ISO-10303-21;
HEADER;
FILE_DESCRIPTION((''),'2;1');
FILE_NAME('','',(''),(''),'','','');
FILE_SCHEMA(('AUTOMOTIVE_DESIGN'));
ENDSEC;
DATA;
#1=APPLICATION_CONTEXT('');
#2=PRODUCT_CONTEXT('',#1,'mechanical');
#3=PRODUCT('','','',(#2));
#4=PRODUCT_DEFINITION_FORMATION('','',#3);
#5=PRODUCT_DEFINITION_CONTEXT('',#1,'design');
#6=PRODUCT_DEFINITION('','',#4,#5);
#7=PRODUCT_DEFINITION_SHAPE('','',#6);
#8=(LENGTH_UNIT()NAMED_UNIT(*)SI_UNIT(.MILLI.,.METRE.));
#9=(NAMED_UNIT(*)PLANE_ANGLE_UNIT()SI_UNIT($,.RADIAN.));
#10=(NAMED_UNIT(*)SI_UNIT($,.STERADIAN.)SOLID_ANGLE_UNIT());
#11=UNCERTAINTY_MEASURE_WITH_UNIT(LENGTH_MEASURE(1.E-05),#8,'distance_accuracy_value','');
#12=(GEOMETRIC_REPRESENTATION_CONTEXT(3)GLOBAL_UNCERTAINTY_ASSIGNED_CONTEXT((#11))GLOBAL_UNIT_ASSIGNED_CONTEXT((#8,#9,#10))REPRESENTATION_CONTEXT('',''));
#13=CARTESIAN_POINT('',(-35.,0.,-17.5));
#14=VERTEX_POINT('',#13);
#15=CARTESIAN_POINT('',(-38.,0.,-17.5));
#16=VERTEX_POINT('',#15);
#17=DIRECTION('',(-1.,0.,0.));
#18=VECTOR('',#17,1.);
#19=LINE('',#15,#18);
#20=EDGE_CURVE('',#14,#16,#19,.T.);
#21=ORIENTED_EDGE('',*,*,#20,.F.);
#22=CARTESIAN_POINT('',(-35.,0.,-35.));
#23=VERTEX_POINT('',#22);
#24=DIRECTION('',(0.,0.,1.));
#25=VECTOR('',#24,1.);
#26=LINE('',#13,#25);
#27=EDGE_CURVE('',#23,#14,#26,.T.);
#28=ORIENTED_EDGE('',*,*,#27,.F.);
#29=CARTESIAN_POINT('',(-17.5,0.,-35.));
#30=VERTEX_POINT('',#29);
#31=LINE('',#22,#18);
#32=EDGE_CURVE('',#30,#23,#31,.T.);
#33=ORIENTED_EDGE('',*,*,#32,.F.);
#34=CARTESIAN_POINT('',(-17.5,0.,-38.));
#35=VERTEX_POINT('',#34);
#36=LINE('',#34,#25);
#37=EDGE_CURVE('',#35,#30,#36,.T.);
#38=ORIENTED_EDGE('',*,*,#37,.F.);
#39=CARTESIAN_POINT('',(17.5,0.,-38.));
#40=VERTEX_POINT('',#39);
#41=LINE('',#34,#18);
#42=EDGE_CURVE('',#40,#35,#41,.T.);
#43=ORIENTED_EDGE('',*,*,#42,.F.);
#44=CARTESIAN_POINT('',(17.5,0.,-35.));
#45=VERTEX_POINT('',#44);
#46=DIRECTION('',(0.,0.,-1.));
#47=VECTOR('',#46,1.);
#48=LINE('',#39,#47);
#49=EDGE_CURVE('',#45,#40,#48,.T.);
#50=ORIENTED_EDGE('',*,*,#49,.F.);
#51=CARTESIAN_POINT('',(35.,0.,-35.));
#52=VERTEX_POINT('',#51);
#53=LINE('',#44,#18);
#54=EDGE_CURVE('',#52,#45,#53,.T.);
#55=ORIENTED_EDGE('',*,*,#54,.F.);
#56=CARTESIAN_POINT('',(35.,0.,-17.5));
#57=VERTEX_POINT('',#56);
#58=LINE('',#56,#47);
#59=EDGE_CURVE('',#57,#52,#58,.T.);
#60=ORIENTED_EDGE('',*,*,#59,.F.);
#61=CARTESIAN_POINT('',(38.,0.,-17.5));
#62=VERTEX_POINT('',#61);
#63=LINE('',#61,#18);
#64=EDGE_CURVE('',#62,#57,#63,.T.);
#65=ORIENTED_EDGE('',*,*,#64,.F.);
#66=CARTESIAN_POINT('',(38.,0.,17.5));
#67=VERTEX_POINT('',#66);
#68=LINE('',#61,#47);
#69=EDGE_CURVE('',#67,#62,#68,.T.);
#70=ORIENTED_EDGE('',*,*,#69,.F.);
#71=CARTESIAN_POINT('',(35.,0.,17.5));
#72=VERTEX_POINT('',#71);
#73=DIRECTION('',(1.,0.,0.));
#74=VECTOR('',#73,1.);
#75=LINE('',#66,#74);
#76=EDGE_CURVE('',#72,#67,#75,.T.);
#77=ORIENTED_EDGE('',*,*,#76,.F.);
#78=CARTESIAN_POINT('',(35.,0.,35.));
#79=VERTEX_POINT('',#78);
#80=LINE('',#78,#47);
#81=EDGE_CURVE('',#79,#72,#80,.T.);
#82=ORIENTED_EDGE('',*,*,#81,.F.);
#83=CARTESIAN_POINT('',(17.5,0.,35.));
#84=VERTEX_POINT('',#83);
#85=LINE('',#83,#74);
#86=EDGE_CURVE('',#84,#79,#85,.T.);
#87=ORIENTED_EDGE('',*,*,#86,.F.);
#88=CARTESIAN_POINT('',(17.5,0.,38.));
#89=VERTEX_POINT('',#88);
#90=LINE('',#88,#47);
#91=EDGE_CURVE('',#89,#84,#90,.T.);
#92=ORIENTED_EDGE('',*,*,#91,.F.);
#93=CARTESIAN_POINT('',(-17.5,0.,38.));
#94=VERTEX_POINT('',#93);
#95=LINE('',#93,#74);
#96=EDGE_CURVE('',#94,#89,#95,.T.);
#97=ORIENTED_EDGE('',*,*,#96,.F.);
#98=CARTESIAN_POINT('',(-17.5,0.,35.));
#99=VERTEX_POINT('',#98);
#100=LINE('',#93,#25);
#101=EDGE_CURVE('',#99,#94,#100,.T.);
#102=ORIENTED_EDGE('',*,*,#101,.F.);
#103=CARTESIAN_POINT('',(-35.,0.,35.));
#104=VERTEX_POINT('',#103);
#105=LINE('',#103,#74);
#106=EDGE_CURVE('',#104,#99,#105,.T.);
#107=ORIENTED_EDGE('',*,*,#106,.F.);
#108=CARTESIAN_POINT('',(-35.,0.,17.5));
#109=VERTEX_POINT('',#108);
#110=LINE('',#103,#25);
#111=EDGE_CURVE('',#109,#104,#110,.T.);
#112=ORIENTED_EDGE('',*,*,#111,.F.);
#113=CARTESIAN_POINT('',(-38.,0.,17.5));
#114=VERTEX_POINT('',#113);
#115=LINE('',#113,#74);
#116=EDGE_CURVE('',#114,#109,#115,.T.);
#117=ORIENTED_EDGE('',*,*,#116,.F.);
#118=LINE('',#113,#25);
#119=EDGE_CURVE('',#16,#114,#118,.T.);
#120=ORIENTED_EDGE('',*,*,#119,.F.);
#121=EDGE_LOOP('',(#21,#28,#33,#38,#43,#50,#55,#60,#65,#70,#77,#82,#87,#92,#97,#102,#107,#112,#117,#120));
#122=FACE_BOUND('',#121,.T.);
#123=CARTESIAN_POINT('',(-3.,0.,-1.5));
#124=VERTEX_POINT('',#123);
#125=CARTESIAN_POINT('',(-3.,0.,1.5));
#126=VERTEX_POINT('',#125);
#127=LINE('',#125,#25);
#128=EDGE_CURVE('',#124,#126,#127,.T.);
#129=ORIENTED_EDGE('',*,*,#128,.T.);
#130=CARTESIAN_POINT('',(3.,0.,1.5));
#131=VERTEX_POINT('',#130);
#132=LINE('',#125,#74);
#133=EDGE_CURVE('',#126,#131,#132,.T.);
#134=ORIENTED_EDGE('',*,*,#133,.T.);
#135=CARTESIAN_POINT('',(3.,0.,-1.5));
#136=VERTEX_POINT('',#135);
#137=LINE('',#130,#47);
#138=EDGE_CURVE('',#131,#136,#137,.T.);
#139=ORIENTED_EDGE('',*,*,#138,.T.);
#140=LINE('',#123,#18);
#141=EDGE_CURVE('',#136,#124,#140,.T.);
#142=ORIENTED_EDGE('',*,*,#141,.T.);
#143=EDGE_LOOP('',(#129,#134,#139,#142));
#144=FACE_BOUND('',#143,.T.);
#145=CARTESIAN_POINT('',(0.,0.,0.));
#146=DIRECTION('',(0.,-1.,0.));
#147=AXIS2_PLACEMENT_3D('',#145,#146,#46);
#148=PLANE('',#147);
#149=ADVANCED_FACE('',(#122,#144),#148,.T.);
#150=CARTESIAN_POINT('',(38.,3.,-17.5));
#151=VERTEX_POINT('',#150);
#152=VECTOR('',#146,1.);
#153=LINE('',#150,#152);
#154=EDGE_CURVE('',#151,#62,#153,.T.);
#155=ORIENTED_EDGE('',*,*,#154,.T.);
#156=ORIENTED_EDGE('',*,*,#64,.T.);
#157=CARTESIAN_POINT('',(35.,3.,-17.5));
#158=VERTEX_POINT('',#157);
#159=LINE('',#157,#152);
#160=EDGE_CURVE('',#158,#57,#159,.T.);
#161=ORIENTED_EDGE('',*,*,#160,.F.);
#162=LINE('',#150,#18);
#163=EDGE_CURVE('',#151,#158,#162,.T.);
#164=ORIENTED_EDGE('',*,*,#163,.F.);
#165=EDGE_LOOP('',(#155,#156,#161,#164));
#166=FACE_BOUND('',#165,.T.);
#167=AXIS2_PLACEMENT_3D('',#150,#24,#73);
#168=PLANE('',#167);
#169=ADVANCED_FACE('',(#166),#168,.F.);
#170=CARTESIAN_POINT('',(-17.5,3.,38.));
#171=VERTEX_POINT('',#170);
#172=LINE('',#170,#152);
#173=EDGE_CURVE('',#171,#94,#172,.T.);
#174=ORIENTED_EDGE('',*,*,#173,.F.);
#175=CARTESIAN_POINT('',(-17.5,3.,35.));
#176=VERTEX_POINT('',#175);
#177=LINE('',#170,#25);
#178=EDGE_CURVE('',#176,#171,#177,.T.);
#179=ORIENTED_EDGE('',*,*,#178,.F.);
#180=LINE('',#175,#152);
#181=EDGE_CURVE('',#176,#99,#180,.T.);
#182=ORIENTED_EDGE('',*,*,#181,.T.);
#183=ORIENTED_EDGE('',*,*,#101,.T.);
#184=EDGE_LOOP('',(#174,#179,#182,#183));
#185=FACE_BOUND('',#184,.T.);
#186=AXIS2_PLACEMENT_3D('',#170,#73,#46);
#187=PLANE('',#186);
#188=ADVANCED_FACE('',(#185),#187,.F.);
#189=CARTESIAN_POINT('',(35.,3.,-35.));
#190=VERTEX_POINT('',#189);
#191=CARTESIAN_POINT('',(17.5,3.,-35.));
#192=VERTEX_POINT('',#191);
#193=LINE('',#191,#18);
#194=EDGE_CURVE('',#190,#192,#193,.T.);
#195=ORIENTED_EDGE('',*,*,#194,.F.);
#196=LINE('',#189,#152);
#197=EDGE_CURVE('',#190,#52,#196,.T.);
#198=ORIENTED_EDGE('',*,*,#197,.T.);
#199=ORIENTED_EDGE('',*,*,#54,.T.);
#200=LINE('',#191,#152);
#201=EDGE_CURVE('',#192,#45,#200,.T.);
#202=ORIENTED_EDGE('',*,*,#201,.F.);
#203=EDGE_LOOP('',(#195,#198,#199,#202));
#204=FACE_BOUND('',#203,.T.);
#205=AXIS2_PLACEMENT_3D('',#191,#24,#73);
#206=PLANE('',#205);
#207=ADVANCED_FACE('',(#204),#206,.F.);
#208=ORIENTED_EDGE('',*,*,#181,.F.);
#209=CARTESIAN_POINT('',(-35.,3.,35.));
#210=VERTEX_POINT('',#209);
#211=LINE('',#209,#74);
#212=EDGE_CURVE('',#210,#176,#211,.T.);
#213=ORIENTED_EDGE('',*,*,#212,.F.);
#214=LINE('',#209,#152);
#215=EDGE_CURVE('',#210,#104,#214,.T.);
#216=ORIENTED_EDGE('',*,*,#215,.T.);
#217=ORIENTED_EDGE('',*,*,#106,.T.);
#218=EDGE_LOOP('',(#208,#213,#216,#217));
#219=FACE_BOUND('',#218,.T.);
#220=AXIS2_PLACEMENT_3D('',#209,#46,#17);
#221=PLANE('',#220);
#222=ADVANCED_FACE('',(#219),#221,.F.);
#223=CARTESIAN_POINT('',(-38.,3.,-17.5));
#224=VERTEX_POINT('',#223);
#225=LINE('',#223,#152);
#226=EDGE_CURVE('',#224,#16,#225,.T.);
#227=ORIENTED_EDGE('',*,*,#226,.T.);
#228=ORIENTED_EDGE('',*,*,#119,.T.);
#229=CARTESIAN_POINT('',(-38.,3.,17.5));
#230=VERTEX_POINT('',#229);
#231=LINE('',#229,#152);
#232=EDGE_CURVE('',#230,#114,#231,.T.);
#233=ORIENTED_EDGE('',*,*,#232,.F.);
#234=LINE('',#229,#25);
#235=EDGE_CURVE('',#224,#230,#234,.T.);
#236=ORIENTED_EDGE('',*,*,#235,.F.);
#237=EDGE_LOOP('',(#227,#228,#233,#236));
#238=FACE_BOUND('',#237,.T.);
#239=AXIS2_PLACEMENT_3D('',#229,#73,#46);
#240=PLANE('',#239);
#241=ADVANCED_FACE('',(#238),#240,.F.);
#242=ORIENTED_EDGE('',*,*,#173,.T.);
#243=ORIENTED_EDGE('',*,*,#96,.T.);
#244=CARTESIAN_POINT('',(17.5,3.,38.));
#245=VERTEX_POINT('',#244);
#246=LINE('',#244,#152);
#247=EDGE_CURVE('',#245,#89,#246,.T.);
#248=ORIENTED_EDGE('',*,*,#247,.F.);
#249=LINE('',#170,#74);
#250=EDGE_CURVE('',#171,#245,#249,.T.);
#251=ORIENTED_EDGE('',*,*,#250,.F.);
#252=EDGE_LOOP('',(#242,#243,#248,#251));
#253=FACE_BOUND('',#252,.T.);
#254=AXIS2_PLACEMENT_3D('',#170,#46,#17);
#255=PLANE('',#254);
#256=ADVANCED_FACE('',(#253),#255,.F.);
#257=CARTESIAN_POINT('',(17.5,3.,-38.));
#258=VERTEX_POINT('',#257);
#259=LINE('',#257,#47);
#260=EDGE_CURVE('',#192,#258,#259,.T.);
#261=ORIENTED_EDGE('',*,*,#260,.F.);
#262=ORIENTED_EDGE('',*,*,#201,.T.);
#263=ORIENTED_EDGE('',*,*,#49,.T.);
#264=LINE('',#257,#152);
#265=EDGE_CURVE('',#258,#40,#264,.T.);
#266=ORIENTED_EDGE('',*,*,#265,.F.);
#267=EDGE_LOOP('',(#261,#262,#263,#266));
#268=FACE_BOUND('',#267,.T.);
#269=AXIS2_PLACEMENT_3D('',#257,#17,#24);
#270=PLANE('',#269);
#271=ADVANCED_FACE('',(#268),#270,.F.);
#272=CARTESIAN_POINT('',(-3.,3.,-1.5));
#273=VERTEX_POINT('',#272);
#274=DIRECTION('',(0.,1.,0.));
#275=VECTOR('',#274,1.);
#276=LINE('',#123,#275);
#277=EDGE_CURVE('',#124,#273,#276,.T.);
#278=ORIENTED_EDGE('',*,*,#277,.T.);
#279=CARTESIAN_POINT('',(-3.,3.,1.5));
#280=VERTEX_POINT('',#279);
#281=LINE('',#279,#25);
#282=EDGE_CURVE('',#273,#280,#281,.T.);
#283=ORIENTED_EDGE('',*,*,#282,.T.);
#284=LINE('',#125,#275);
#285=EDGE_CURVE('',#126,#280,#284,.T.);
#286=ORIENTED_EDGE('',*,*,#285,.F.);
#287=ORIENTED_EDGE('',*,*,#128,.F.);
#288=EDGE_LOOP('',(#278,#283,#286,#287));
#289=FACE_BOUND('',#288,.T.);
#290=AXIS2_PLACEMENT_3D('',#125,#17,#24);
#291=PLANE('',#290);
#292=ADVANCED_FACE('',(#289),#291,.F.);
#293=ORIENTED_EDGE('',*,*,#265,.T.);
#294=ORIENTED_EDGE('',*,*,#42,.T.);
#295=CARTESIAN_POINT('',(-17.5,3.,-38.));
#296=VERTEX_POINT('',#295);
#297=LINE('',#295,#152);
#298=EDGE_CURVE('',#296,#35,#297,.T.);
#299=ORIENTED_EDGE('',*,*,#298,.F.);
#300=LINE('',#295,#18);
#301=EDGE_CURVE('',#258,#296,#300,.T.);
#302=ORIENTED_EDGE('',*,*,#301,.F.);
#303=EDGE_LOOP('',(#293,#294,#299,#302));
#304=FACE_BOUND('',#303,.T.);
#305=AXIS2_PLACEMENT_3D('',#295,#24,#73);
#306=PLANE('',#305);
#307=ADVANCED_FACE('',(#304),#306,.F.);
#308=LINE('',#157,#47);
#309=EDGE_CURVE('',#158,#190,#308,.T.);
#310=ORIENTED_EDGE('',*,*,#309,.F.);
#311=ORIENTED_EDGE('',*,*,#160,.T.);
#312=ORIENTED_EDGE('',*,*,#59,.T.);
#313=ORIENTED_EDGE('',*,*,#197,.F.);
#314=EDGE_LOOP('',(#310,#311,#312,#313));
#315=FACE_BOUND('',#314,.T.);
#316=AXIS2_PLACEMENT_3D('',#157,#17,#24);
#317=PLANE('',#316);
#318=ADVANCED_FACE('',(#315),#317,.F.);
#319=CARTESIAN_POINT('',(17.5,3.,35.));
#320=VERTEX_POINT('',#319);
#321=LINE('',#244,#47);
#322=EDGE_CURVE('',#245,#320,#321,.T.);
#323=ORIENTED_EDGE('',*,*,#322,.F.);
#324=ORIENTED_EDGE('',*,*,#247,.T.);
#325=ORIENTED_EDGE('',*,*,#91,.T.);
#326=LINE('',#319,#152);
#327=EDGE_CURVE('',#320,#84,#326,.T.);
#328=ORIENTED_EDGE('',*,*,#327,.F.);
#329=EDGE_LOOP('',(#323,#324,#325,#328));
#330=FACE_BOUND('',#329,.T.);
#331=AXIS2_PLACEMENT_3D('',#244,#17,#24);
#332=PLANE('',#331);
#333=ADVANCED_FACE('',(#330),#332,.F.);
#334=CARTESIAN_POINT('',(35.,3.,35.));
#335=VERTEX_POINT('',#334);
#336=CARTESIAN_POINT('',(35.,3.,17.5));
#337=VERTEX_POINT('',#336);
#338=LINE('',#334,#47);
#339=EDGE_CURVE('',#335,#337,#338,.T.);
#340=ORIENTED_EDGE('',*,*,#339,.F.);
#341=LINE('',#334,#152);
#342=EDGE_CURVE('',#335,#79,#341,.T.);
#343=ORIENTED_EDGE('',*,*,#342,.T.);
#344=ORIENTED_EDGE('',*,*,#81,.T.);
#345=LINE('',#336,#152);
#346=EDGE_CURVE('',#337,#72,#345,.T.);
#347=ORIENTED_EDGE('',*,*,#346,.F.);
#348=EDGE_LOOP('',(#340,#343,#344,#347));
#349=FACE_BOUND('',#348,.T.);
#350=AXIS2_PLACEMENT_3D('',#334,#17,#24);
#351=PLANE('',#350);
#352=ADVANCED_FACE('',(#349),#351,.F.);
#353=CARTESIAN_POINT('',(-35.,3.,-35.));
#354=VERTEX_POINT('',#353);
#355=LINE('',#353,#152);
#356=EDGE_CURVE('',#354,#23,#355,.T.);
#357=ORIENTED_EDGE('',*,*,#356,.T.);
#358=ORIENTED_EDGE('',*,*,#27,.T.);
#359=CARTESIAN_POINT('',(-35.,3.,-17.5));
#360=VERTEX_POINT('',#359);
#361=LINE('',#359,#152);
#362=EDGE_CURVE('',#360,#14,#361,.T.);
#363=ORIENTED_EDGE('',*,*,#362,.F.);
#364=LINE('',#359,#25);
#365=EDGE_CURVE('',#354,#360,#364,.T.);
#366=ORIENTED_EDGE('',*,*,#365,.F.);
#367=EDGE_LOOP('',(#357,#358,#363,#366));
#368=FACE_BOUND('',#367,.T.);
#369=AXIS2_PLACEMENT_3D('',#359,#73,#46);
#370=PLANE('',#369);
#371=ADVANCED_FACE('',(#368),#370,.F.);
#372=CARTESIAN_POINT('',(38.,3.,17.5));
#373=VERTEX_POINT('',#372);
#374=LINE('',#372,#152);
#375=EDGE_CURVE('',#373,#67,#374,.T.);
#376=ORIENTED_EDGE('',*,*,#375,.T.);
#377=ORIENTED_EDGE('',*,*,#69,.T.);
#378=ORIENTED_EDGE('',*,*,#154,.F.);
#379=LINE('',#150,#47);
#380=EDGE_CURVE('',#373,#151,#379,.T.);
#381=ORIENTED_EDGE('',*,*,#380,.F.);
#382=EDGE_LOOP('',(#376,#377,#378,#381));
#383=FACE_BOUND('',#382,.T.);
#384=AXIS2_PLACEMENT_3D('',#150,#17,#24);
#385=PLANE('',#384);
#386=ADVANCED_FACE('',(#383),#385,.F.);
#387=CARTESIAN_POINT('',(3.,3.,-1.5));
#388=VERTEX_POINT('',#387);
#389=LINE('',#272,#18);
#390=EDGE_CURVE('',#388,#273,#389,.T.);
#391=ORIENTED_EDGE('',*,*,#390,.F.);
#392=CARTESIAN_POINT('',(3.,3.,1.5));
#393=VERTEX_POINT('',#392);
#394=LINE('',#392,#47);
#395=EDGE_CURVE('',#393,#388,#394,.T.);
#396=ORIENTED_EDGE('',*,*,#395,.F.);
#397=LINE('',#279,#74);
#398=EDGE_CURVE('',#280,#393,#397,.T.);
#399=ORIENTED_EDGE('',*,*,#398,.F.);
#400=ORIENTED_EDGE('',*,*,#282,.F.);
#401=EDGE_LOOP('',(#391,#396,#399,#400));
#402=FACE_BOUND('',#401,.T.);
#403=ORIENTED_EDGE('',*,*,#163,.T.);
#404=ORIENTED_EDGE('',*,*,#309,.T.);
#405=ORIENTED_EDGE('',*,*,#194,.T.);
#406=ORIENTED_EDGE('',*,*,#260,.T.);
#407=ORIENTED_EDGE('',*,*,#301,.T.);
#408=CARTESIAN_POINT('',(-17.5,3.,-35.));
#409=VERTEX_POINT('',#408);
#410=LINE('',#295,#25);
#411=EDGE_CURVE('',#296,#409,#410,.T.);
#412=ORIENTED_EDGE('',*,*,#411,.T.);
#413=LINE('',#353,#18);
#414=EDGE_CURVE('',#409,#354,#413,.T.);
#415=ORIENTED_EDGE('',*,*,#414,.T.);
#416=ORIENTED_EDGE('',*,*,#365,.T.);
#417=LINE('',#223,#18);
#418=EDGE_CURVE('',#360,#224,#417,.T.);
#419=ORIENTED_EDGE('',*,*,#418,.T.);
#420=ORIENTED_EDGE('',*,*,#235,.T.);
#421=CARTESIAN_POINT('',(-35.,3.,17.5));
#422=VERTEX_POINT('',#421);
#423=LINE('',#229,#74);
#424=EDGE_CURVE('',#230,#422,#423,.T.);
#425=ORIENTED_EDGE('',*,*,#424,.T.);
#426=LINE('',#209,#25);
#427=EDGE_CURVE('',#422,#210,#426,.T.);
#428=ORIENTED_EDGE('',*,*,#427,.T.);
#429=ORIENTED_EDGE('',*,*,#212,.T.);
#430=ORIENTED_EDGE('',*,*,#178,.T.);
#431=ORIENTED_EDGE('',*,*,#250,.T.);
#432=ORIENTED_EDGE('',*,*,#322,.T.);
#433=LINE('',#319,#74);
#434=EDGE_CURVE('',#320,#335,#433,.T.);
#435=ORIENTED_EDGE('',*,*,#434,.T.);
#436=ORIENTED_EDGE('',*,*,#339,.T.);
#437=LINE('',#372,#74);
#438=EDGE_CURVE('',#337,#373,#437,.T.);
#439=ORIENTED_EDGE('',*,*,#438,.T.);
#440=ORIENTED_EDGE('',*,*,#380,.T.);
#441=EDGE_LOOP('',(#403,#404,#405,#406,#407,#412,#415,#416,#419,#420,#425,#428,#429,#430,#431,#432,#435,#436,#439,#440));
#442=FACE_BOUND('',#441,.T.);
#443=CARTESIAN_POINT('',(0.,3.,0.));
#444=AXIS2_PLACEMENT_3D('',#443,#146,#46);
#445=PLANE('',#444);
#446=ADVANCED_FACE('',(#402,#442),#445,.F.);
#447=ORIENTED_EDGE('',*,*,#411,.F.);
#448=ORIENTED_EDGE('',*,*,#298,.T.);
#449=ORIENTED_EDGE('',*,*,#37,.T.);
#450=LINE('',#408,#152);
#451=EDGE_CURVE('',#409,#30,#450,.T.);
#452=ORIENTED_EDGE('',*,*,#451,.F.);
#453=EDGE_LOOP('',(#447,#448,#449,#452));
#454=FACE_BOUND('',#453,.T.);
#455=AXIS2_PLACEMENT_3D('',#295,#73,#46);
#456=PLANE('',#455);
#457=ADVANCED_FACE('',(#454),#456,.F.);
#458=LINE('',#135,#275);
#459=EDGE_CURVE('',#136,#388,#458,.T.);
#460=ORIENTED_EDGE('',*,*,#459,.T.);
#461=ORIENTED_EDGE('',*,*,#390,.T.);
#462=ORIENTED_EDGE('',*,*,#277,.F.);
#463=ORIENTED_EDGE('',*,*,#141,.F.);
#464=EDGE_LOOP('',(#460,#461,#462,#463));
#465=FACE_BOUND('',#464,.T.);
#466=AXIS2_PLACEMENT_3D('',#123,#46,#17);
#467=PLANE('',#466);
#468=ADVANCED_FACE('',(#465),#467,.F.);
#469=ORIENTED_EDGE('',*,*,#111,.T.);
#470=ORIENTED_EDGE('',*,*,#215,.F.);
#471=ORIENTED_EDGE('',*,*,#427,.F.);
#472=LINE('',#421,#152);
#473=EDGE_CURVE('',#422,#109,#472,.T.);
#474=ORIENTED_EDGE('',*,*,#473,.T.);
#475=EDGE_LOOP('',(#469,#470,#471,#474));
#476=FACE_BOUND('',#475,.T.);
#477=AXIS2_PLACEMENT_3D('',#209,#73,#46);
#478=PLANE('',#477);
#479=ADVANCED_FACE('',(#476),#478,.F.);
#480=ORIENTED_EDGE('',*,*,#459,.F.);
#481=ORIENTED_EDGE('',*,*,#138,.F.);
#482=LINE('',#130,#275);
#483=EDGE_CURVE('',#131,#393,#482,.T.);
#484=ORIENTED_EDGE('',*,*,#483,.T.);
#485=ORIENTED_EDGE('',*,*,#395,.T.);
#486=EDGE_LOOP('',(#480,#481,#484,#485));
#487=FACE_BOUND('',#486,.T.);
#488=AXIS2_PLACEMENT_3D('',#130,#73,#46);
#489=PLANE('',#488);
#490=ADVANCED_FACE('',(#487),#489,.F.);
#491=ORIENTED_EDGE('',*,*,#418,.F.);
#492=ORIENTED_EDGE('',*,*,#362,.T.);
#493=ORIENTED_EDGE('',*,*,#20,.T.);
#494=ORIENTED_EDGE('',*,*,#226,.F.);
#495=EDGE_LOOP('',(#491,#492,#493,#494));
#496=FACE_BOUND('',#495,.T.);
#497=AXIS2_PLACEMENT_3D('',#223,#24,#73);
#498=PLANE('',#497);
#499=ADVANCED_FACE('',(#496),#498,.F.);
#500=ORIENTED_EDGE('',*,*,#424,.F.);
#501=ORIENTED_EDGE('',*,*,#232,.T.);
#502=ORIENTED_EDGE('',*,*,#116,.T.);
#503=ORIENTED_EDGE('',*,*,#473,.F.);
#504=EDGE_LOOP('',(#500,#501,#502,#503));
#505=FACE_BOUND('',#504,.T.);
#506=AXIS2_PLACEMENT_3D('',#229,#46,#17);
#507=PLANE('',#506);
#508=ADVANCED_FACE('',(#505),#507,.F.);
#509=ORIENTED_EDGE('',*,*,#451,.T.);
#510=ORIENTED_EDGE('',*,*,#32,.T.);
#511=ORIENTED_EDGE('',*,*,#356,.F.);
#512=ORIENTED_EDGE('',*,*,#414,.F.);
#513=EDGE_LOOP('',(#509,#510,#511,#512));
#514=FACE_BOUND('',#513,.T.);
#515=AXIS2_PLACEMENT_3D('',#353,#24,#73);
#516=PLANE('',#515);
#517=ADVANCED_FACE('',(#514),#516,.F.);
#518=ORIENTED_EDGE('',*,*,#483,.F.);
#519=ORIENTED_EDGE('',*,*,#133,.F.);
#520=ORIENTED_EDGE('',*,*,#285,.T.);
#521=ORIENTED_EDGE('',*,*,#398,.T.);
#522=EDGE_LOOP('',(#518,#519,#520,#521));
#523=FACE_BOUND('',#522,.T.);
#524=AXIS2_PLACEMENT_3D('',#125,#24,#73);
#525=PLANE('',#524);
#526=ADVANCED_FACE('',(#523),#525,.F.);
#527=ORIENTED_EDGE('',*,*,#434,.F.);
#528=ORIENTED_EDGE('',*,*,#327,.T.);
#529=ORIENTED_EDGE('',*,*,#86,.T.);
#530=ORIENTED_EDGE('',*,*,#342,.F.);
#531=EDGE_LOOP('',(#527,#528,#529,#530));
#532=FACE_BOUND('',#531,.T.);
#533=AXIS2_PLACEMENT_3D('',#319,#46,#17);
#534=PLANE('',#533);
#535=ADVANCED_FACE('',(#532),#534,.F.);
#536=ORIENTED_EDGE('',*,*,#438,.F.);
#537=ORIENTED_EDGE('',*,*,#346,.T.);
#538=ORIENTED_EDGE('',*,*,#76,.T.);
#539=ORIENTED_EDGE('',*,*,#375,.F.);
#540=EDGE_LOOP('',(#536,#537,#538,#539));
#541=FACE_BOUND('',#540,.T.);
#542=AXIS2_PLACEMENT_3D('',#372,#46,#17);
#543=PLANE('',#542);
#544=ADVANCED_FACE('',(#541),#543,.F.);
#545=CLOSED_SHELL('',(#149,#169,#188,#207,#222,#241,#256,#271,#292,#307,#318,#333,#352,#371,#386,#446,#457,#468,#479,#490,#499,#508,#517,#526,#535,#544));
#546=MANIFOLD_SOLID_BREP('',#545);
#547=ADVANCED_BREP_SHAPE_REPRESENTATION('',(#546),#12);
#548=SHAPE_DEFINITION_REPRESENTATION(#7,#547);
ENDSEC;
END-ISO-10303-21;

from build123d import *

# Parameters (mm, degrees)
BOSS_EXTRUDE1_DEPTH = 3
SKETCH2_W           = 6
SKETCH2_H           = 3
CUT_EXTRUDE1_DEPTH  = 3


with BuildPart() as part:
    # Sketch1 → Boss-Extrude1 (new body)
    with BuildSketch(Plane(origin=(0, 0, 0), x_dir=(1, 0, 0), z_dir=(0, 1, 0))):
        Polygon((-35, -35), (-17.5, -35), (-17.5, -38), (17.5, -38), (17.5, -35), (35, -35), (35, -17.5), (38, -17.5), (38, 17.5), (35, 17.5), (35, 35), (17.5, 35), (17.5, 38), (-17.5, 38), (-17.5, 35), (-35, 35), (-35, 17.5), (-38, 17.5), (-38, -17.5), (-35, -17.5), align=None)
    extrude(amount=BOSS_EXTRUDE1_DEPTH)

    # Sketch2 → Cut-Extrude1 (cut)
    with BuildSketch(Plane(origin=(0, 3, 0), x_dir=(1, 0, 0), z_dir=(0, 1, 0))):
        Rectangle(SKETCH2_W, SKETCH2_H)
    extrude(amount=-CUT_EXTRUDE1_DEPTH, mode=Mode.SUBTRACT)


solid = part.part
